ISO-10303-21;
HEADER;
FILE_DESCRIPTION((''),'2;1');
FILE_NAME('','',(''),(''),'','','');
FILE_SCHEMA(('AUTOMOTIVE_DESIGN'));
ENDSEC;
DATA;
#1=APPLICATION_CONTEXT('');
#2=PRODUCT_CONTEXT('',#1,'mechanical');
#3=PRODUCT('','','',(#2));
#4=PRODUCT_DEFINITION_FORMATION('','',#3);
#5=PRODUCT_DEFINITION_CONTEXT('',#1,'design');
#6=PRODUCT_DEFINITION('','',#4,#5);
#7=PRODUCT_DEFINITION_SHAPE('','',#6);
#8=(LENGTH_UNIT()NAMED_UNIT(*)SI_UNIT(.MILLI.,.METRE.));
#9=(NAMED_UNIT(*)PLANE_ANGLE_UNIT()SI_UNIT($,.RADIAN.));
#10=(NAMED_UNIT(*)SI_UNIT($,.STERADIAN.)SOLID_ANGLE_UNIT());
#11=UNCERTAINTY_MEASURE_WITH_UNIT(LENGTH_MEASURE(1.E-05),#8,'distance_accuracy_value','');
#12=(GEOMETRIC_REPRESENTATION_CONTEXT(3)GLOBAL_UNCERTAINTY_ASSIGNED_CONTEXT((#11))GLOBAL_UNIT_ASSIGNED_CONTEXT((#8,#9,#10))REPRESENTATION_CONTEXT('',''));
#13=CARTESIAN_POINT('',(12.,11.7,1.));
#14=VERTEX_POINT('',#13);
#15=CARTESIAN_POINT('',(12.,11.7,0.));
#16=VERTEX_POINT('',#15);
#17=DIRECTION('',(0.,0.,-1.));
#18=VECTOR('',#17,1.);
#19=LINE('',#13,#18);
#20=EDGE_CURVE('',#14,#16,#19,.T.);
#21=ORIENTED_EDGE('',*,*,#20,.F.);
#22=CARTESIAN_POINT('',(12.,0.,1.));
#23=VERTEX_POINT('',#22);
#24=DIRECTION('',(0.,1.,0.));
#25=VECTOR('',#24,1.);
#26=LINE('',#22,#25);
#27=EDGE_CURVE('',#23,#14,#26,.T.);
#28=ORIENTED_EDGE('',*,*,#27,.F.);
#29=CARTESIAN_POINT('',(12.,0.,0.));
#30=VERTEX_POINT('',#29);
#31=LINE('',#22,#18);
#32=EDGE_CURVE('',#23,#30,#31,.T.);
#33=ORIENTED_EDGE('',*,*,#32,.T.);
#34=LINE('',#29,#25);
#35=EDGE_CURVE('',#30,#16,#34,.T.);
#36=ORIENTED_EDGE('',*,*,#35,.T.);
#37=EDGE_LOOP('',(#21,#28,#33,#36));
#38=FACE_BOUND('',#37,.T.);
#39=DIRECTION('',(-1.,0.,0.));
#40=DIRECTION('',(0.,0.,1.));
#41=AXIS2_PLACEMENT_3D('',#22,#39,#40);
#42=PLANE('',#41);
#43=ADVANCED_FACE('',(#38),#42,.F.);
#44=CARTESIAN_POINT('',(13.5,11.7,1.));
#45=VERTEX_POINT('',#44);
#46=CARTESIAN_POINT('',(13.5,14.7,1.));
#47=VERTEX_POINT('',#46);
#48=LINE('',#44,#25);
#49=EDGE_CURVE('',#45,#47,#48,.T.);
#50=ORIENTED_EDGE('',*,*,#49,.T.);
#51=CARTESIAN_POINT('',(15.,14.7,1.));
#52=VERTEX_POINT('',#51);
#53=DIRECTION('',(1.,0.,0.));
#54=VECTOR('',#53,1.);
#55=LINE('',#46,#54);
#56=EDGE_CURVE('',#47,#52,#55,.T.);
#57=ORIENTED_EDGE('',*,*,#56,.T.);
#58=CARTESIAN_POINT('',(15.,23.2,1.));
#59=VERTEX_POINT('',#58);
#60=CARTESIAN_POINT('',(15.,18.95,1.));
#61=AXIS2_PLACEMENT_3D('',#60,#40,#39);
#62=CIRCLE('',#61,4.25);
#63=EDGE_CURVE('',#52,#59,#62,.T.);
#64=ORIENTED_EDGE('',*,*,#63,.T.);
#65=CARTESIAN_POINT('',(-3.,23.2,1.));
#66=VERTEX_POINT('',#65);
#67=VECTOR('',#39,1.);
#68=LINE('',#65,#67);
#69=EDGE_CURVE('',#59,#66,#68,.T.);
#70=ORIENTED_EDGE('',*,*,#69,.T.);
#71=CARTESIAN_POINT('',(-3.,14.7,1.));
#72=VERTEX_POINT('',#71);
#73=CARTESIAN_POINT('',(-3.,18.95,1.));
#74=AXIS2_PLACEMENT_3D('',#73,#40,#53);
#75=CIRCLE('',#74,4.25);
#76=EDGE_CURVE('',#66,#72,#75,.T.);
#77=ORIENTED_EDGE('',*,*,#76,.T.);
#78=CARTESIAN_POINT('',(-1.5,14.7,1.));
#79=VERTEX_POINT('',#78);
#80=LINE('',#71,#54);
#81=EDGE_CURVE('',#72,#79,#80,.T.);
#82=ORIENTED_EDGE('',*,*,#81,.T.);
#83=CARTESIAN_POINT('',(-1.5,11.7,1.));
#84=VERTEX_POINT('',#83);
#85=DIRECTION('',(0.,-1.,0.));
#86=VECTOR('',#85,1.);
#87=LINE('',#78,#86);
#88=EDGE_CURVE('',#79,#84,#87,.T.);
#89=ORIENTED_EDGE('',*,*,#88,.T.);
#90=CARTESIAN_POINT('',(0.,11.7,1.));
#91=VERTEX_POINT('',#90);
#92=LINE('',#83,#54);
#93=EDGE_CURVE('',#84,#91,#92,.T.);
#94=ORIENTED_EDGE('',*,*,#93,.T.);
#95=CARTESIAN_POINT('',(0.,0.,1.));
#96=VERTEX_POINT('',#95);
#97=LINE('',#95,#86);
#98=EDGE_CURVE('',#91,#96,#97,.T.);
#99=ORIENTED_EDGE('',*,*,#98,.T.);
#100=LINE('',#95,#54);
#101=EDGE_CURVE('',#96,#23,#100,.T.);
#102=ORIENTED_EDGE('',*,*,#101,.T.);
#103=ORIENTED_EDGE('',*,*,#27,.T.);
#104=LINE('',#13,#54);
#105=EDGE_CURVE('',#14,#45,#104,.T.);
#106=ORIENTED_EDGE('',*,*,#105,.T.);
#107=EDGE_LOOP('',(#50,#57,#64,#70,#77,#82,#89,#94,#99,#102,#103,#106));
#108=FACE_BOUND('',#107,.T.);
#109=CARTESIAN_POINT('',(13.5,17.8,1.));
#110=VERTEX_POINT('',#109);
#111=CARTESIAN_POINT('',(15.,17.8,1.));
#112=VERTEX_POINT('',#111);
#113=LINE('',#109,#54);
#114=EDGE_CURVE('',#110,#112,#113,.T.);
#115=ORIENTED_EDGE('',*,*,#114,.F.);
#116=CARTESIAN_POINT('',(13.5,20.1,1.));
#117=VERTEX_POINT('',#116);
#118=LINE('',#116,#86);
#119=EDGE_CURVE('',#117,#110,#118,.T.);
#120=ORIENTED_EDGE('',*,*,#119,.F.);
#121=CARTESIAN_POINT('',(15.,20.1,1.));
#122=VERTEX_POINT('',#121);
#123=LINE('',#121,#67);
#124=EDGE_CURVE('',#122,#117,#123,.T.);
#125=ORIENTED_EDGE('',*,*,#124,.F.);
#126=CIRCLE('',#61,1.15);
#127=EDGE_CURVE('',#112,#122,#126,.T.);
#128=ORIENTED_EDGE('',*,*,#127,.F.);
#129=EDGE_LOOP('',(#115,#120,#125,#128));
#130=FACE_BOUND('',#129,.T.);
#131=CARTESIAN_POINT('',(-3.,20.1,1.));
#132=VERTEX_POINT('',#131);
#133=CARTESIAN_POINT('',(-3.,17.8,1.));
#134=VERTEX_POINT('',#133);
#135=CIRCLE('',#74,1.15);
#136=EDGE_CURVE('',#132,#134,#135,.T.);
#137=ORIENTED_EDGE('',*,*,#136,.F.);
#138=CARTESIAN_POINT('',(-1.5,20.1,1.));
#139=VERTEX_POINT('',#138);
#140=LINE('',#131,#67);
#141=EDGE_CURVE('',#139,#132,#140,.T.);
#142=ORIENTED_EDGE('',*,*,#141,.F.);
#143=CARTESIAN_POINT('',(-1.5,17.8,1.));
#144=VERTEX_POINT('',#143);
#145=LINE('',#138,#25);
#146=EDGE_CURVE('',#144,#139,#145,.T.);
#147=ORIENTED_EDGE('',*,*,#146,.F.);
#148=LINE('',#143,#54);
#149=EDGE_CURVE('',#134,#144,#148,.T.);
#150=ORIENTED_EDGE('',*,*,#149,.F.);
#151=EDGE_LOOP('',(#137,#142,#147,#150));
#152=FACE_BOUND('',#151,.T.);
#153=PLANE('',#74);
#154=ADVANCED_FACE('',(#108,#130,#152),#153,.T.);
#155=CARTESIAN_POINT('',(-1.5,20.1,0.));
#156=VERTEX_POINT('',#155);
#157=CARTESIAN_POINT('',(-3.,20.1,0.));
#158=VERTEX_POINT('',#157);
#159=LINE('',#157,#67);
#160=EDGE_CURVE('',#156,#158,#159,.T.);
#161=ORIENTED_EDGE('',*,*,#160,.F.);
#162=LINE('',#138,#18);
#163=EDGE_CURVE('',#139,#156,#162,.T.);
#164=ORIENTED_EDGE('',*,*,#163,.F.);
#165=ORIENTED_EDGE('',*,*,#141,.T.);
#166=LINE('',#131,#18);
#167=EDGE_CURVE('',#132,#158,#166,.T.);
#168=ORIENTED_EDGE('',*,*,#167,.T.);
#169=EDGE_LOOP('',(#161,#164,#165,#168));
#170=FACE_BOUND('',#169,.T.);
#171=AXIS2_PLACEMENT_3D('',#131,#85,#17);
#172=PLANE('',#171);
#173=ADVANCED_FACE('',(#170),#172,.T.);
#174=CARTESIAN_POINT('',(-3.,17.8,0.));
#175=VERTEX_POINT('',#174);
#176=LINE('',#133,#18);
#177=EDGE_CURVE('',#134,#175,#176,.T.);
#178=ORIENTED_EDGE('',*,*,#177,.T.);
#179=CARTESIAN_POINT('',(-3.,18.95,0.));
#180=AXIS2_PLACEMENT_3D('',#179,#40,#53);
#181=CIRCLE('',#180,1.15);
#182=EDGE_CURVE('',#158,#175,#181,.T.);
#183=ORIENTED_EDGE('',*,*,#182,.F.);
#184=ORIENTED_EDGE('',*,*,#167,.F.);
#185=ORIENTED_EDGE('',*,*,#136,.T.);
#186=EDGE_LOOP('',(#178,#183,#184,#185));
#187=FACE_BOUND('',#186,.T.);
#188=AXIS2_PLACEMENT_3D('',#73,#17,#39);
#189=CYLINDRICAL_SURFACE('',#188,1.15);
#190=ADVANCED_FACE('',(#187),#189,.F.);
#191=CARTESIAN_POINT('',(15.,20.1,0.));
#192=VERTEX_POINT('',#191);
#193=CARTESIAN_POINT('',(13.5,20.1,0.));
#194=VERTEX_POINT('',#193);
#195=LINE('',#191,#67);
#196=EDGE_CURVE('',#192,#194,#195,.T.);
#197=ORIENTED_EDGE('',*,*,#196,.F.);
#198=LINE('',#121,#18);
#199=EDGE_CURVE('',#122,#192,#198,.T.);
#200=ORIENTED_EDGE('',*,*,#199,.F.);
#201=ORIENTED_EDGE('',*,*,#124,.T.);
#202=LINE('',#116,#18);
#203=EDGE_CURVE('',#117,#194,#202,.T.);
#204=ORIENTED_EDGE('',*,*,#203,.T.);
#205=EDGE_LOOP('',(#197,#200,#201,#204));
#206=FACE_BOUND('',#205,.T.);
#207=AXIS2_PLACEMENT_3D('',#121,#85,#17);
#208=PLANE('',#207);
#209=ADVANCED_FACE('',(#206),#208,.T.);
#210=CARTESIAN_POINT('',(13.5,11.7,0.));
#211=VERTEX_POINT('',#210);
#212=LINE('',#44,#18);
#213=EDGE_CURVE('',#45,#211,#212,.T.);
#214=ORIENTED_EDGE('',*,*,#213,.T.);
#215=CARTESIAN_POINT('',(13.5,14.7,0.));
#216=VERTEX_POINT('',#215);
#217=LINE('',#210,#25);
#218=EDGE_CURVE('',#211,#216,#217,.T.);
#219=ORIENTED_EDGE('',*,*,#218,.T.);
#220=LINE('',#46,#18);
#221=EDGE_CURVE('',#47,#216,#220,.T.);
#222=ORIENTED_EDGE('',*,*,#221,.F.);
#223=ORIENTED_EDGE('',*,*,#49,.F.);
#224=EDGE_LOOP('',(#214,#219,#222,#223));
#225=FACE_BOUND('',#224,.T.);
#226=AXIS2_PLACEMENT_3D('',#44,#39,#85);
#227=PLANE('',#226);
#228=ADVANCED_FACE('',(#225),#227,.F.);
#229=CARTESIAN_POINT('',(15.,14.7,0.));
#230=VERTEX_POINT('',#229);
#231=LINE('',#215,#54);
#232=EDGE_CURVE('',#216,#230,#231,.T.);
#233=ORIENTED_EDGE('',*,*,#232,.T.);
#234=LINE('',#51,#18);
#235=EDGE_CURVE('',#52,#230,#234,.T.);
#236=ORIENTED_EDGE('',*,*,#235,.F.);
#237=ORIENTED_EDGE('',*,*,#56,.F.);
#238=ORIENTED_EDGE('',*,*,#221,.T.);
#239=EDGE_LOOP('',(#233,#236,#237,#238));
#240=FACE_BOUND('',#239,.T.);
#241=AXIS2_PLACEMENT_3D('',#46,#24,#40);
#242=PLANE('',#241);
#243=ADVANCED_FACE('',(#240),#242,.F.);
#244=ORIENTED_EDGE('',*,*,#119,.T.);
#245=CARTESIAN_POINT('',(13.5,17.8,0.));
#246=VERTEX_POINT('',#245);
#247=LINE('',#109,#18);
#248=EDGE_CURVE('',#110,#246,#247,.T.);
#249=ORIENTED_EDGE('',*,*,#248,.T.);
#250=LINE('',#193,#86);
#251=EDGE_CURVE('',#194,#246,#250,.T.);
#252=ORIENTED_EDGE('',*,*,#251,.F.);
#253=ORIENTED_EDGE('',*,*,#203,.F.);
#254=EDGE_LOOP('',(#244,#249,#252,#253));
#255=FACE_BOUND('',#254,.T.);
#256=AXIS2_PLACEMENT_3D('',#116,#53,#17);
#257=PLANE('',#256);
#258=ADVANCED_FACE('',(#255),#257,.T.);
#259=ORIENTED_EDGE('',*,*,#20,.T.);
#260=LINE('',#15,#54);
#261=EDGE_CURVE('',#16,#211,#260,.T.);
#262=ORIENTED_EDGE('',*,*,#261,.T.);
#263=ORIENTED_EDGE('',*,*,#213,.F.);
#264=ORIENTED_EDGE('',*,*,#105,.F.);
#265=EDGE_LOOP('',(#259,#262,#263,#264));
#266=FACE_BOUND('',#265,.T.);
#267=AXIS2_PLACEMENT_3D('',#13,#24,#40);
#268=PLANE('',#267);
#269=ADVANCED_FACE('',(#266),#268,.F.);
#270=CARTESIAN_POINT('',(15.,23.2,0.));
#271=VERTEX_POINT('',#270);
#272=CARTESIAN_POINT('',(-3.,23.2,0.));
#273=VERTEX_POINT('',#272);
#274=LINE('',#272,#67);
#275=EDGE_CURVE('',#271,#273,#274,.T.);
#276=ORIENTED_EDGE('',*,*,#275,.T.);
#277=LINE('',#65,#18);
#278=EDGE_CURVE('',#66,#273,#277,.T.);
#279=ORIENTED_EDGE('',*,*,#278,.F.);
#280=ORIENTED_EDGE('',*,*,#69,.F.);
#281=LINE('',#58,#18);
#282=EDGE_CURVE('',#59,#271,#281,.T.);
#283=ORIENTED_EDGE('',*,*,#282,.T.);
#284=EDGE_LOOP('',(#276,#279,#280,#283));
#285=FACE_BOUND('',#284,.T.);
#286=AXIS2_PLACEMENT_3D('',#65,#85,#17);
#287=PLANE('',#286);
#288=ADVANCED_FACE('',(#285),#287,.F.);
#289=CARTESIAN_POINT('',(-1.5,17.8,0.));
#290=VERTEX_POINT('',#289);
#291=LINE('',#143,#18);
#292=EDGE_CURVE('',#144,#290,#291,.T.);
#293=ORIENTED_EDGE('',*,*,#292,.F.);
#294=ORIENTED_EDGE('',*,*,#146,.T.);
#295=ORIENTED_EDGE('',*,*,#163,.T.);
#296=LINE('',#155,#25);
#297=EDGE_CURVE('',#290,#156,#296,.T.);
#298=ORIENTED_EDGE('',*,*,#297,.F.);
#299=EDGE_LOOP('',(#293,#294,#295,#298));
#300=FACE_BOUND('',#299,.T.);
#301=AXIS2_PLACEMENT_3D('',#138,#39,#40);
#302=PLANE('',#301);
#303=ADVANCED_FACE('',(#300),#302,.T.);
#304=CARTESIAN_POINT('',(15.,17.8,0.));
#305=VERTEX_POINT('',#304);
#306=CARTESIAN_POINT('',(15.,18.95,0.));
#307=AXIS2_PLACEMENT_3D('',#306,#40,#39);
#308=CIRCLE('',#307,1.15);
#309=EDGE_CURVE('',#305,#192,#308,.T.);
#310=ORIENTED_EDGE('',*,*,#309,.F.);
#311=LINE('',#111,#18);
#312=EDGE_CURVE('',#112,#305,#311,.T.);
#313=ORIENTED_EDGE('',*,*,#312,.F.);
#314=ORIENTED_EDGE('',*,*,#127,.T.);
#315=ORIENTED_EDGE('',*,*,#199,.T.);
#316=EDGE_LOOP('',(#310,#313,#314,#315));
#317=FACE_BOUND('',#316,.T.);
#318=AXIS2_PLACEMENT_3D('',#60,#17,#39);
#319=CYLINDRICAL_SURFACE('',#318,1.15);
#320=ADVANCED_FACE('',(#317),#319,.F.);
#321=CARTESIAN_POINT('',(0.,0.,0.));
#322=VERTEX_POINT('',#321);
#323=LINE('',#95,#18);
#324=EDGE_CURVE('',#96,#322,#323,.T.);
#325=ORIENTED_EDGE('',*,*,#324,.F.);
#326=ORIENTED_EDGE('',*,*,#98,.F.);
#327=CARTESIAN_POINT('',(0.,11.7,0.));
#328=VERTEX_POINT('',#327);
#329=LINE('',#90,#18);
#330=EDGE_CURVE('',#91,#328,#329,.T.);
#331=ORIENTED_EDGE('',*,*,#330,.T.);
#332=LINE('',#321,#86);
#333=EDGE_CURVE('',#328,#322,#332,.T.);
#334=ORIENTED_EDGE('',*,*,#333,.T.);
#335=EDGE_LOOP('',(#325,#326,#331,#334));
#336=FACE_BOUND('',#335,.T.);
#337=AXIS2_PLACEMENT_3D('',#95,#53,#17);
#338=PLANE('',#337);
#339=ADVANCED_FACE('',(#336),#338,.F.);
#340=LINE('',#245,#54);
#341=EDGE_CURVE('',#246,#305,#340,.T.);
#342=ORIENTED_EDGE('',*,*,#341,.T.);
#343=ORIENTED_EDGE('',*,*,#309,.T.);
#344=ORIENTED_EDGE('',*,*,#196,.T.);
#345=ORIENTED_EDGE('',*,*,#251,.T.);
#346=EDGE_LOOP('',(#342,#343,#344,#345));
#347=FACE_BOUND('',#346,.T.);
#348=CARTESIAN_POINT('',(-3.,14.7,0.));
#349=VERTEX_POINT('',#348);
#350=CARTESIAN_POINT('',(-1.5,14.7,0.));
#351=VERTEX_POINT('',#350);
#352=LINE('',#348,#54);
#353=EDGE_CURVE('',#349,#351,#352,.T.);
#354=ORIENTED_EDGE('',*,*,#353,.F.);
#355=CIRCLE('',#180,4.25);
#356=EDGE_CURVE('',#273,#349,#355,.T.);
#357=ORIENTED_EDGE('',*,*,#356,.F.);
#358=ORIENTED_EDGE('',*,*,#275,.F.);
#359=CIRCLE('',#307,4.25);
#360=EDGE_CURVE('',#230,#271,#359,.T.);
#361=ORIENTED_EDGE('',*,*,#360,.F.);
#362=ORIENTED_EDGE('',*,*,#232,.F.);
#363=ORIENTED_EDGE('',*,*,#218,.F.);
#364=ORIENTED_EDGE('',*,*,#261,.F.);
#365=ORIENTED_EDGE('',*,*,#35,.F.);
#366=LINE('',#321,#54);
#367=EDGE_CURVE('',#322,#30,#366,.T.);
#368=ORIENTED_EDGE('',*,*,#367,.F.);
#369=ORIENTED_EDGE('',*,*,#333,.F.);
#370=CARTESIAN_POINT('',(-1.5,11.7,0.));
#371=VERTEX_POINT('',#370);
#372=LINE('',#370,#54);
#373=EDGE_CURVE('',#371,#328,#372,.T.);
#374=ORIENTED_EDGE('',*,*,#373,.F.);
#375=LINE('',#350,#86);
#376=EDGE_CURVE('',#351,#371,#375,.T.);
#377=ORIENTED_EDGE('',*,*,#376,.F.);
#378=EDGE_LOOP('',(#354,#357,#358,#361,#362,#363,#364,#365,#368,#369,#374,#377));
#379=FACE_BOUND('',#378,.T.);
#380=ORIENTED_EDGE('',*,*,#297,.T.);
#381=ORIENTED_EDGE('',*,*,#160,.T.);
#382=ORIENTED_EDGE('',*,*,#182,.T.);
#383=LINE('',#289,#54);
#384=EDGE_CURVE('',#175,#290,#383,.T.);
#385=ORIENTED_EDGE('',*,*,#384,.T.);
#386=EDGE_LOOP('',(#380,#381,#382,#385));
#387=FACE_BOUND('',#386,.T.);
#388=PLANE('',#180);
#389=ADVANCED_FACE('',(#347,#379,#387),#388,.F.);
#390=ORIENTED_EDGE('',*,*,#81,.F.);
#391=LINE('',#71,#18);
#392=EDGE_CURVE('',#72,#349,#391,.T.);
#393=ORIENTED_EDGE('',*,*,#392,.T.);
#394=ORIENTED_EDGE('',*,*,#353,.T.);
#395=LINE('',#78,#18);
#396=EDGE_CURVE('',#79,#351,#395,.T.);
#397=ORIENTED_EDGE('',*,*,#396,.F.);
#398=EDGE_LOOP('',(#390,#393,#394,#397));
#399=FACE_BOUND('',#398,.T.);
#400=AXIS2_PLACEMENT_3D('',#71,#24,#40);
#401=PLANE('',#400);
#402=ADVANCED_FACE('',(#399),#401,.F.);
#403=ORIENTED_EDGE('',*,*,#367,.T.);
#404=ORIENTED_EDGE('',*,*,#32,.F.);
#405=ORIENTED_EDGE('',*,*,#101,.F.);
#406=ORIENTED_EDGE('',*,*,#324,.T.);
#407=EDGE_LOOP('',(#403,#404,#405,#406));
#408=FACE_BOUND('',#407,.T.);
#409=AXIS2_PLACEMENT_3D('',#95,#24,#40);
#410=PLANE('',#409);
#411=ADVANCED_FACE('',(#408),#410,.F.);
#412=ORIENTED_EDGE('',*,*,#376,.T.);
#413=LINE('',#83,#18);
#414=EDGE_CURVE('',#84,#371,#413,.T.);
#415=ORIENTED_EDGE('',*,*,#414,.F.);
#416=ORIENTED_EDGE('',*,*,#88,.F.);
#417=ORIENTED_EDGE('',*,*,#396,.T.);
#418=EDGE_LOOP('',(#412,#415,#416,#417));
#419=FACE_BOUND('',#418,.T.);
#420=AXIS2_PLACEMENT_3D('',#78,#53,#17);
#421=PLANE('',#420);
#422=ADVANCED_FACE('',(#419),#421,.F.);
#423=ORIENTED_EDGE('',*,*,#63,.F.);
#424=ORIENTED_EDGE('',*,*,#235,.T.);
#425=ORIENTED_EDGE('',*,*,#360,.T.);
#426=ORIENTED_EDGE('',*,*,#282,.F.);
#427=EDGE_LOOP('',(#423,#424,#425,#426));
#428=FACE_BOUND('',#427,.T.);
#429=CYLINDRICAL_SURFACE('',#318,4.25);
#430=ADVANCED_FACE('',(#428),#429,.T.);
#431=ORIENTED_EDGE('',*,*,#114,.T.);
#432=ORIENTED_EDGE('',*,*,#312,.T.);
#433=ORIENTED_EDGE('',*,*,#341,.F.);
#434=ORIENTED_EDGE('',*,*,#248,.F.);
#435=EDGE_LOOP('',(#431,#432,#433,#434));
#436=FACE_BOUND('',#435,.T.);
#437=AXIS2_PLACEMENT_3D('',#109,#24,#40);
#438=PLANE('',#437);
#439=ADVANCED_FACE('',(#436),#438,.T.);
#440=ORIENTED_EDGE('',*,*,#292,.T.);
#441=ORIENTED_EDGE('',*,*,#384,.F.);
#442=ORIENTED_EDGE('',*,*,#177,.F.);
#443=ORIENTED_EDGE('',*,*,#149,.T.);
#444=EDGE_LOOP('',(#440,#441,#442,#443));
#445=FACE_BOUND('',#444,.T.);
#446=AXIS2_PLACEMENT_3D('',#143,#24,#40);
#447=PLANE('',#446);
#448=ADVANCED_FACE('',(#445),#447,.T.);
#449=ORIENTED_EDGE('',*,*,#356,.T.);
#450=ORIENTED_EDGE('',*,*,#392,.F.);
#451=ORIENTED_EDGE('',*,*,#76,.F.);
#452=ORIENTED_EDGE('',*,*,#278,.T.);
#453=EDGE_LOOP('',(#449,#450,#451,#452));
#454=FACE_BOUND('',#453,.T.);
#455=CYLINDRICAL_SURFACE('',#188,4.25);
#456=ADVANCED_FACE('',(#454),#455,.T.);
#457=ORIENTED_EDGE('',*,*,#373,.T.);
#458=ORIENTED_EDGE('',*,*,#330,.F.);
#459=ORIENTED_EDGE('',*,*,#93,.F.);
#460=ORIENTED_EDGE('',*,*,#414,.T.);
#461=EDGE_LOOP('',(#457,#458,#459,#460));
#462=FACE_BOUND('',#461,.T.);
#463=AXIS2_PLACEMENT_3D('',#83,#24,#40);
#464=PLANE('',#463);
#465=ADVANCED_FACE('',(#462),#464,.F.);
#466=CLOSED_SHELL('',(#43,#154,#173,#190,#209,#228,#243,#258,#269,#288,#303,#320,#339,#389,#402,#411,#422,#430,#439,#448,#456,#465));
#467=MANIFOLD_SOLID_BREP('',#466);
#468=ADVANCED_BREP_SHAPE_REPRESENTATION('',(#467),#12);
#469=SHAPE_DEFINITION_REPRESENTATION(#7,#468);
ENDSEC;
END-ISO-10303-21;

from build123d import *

# Parameters (mm, degrees)
BOSS_EXTRU_1_DEPTH = 1


with BuildPart() as part:
    # Esquisse1 → Boss.-Extru.1 (new body)
    with BuildSketch(Plane.XY):
        with BuildLine():
            Line((12, 11.7), (13.5, 11.7))
            Line((13.5, 11.7), (13.5, 14.7))
            Line((13.5, 14.7), (15, 14.7))
            ThreePointArc((15, 14.7), (19.25, 18.95), (15, 23.2))
            Line((15, 23.2), (-3, 23.2))
            ThreePointArc((-3, 23.2), (-7.25, 18.95), (-3, 14.7))
            Line((-3, 14.7), (-1.5, 14.7))
            Line((-1.5, 14.7), (-1.5, 11.7))
            Line((-1.5, 11.7), (0, 11.7))
            Line((0, 11.7), (0, 0))
            Line((0, 0), (12, 0))
            Line((12, 0), (12, 11.7))
        make_face()
        with BuildLine():
            Line((15, 20.1), (13.5, 20.1))
            Line((13.5, 20.1), (13.5, 17.8))
            Line((13.5, 17.8), (15, 17.8))
            ThreePointArc((15, 17.8), (16.15, 18.95), (15, 20.1))
        make_face(mode=Mode.SUBTRACT)
        with BuildLine():
            Line((-3, 20.1), (-1.5, 20.1))
            Line((-1.5, 20.1), (-1.5, 17.8))
            Line((-1.5, 17.8), (-3, 17.8))
            ThreePointArc((-3, 17.8), (-4.15, 18.95), (-3, 20.1))
        make_face(mode=Mode.SUBTRACT)
    extrude(amount=BOSS_EXTRU_1_DEPTH)


solid = part.part
